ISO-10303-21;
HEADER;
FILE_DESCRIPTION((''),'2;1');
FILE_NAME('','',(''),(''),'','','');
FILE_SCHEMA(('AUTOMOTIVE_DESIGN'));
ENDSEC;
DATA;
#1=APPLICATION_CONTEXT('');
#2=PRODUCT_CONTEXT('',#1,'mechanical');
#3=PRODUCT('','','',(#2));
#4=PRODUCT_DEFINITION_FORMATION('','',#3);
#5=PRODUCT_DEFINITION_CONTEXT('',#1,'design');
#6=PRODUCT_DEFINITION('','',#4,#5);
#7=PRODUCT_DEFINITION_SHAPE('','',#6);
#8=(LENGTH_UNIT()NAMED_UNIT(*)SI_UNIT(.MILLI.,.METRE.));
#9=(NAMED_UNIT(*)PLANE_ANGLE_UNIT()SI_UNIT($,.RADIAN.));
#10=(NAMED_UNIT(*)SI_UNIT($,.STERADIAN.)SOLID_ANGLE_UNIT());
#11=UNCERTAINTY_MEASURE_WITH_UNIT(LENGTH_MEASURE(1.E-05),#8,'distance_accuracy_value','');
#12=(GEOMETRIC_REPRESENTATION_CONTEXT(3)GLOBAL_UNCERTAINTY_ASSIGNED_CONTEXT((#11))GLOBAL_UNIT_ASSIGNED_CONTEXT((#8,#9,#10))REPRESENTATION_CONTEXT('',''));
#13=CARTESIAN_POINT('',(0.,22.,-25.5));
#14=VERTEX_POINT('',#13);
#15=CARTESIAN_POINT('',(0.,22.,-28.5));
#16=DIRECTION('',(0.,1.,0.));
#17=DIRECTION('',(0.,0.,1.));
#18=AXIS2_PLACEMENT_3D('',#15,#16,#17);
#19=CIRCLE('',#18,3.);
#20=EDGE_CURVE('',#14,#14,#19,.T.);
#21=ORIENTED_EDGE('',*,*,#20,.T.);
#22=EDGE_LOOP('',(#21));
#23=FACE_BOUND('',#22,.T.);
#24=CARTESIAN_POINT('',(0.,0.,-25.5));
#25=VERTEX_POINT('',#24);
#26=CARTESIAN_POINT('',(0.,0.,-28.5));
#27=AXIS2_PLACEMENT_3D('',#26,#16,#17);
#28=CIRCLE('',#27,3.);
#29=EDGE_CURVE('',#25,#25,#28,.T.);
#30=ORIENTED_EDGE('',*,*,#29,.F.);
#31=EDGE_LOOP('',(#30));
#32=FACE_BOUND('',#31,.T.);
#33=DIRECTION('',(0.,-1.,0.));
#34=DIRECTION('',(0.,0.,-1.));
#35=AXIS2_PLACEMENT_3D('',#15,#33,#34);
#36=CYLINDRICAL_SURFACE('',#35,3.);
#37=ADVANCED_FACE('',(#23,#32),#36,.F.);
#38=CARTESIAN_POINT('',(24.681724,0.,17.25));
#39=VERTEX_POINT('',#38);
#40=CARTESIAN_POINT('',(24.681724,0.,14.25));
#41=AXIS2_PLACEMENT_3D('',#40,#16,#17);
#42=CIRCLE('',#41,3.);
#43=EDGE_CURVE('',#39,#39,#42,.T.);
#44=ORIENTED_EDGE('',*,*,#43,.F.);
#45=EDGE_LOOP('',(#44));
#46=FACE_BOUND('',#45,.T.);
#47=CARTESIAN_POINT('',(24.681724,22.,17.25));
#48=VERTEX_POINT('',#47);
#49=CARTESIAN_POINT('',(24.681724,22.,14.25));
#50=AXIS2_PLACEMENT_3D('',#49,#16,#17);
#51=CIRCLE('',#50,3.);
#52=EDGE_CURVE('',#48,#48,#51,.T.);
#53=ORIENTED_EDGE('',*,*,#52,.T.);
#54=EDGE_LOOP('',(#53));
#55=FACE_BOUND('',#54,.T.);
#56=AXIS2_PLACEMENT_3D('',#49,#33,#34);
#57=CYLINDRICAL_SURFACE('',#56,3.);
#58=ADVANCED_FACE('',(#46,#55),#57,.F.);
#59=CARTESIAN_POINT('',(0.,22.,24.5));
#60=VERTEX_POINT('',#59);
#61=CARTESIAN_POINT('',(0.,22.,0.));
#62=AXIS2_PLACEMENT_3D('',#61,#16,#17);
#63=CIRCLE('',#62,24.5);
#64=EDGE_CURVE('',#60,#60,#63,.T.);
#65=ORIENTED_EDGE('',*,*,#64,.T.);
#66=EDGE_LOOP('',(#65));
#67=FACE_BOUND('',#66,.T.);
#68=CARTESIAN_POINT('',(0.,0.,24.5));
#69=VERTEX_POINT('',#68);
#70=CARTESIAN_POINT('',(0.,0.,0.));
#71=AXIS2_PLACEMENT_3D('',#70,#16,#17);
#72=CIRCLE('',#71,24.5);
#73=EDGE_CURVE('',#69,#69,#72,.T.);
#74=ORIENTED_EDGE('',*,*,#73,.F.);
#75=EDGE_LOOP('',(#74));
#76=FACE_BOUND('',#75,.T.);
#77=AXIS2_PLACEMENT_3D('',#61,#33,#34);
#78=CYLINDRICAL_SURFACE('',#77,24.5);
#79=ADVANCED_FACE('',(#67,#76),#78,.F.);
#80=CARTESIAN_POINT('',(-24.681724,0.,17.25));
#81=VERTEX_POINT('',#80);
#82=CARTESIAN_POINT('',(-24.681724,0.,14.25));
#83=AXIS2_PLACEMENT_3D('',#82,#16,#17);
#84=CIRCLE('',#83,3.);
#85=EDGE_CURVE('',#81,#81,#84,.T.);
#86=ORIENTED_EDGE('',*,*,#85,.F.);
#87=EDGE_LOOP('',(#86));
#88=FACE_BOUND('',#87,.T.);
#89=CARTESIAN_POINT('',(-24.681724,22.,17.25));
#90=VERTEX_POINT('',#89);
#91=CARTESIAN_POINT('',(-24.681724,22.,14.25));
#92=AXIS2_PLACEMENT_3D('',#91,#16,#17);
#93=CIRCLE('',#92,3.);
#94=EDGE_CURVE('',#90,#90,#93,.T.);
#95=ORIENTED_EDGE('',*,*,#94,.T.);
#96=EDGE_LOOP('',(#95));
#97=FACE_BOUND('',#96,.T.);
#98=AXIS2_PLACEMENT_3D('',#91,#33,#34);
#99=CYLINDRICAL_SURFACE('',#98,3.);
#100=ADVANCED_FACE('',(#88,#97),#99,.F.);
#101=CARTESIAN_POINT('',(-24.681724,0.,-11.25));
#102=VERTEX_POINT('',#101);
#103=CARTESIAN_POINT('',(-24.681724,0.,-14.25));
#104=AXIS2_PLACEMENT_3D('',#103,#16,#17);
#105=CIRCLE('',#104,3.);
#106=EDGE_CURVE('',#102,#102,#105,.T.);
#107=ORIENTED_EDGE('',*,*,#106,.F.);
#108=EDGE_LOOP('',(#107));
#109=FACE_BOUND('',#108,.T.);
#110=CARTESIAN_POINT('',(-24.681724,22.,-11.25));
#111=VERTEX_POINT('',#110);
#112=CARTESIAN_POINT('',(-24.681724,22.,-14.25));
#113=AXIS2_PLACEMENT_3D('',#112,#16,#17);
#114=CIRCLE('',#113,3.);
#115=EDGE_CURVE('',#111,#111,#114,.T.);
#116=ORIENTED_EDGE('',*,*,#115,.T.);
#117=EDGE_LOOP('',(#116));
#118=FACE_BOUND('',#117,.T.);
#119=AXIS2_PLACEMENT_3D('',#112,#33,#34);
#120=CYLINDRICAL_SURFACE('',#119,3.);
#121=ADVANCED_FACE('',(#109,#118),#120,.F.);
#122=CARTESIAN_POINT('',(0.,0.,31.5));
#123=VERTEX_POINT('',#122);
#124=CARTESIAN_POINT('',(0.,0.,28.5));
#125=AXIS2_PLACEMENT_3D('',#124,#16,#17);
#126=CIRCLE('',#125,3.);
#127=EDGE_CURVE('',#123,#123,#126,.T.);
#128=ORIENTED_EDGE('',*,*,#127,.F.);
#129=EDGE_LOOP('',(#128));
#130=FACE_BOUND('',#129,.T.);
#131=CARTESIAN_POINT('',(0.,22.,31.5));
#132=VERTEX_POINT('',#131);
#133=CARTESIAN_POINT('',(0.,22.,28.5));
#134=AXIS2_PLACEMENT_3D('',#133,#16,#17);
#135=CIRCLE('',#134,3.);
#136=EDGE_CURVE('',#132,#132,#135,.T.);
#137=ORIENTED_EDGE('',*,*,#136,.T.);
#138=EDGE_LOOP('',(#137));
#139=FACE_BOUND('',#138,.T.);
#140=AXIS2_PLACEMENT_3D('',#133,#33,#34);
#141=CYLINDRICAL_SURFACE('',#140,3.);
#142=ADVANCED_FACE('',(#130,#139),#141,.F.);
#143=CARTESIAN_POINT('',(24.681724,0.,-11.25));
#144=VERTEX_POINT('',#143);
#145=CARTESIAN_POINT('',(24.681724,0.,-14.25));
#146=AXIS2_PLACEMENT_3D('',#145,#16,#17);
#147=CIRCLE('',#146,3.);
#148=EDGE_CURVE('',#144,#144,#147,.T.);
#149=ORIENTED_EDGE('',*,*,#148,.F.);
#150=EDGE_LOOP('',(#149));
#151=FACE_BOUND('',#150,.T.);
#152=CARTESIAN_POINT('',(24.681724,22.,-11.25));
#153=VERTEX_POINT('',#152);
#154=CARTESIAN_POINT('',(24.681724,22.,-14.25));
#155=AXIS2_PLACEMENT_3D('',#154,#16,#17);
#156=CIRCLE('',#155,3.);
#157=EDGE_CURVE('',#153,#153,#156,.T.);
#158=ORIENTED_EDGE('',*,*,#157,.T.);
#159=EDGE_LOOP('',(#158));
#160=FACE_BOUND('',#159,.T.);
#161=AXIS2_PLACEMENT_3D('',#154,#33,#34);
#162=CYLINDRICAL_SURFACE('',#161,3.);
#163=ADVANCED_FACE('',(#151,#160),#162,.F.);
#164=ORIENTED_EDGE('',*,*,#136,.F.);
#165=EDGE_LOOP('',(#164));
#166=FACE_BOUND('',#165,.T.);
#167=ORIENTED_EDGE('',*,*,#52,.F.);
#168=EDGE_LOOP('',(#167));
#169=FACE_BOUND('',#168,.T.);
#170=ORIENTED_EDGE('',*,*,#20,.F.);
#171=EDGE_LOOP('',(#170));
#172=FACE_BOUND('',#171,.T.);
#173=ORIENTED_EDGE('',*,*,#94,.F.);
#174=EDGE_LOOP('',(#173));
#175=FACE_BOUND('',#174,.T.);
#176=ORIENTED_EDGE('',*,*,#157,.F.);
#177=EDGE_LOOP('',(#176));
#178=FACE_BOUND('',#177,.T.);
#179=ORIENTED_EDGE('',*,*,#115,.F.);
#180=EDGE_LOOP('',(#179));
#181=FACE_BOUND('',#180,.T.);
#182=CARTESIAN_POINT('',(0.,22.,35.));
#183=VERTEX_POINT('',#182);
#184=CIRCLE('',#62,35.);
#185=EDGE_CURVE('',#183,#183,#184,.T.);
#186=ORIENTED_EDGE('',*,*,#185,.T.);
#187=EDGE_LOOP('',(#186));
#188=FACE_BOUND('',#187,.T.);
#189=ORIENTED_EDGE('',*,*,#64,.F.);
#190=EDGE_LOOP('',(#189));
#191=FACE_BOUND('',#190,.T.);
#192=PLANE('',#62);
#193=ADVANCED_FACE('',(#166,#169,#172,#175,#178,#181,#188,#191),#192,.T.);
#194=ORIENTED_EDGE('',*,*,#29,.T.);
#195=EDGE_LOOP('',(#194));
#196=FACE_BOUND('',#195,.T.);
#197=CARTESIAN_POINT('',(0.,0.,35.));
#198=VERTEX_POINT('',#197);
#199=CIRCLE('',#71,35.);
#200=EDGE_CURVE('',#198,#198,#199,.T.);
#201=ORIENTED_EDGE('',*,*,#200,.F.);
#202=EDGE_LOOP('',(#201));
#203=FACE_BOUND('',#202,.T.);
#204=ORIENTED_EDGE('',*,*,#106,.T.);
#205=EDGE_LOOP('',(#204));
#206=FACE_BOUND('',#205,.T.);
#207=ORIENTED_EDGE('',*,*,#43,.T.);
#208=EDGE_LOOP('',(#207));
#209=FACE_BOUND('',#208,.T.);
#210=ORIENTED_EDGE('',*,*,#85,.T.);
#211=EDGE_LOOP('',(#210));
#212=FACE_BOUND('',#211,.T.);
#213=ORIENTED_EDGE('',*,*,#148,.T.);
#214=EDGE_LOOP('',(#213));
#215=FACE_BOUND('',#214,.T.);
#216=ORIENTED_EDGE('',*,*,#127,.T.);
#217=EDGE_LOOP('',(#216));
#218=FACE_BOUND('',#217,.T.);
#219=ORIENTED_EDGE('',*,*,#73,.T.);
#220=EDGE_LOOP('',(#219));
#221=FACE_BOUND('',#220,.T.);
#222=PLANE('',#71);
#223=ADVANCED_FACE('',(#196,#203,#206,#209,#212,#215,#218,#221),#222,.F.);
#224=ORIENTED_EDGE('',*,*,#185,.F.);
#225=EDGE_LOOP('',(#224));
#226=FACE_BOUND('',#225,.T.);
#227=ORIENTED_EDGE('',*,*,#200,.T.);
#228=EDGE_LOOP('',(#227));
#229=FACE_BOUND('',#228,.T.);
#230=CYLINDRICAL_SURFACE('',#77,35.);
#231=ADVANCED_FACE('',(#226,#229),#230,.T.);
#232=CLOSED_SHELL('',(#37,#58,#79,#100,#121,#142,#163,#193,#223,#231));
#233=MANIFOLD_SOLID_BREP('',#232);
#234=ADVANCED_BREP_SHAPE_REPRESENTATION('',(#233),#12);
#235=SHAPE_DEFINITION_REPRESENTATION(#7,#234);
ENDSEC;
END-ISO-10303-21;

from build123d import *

# Parameters (mm, degrees)
SKETCH1_R           = 35
SKETCH1_R_2         = 24.5
SKETCH1_R_3         = 3
BOSS_EXTRUDE1_DEPTH = 22


with BuildPart() as part:
    # Sketch1 → Boss-Extrude1 (new body)
    with BuildSketch(Plane(origin=(0, 0, 0), x_dir=(1, 0, 0), z_dir=(0, 1, 0))):
        with Locations(Location((0, 0, 0), (0, 0, 270))):
            Circle(SKETCH1_R)
        with Locations(Location((0, 0, 0), (0, 0, 270))):
            Circle(SKETCH1_R_2, mode=Mode.SUBTRACT)
        with Locations(Location((0, 28.5, 0), (0, 0, 270))):
            Circle(SKETCH1_R_3, mode=Mode.SUBTRACT)
        with Locations(Location((24.681724008, 14.25, 0), (0, 0, 270))):
            Circle(SKETCH1_R_3, mode=Mode.SUBTRACT)
        with Locations(Location((24.681724008, -14.25, 0), (0, 0, 270))):
            Circle(SKETCH1_R_3, mode=Mode.SUBTRACT)
        with Locations(Location((0, -28.5, 0), (0, 0, 270))):
            Circle(SKETCH1_R_3, mode=Mode.SUBTRACT)
        with Locations(Location((-24.681724008, -14.25, 0), (0, 0, 270))):
            Circle(SKETCH1_R_3, mode=Mode.SUBTRACT)
        with Locations(Location((-24.681724008, 14.25, 0), (0, 0, 270))):
            Circle(SKETCH1_R_3, mode=Mode.SUBTRACT)
    extrude(amount=BOSS_EXTRUDE1_DEPTH)


solid = part.part
